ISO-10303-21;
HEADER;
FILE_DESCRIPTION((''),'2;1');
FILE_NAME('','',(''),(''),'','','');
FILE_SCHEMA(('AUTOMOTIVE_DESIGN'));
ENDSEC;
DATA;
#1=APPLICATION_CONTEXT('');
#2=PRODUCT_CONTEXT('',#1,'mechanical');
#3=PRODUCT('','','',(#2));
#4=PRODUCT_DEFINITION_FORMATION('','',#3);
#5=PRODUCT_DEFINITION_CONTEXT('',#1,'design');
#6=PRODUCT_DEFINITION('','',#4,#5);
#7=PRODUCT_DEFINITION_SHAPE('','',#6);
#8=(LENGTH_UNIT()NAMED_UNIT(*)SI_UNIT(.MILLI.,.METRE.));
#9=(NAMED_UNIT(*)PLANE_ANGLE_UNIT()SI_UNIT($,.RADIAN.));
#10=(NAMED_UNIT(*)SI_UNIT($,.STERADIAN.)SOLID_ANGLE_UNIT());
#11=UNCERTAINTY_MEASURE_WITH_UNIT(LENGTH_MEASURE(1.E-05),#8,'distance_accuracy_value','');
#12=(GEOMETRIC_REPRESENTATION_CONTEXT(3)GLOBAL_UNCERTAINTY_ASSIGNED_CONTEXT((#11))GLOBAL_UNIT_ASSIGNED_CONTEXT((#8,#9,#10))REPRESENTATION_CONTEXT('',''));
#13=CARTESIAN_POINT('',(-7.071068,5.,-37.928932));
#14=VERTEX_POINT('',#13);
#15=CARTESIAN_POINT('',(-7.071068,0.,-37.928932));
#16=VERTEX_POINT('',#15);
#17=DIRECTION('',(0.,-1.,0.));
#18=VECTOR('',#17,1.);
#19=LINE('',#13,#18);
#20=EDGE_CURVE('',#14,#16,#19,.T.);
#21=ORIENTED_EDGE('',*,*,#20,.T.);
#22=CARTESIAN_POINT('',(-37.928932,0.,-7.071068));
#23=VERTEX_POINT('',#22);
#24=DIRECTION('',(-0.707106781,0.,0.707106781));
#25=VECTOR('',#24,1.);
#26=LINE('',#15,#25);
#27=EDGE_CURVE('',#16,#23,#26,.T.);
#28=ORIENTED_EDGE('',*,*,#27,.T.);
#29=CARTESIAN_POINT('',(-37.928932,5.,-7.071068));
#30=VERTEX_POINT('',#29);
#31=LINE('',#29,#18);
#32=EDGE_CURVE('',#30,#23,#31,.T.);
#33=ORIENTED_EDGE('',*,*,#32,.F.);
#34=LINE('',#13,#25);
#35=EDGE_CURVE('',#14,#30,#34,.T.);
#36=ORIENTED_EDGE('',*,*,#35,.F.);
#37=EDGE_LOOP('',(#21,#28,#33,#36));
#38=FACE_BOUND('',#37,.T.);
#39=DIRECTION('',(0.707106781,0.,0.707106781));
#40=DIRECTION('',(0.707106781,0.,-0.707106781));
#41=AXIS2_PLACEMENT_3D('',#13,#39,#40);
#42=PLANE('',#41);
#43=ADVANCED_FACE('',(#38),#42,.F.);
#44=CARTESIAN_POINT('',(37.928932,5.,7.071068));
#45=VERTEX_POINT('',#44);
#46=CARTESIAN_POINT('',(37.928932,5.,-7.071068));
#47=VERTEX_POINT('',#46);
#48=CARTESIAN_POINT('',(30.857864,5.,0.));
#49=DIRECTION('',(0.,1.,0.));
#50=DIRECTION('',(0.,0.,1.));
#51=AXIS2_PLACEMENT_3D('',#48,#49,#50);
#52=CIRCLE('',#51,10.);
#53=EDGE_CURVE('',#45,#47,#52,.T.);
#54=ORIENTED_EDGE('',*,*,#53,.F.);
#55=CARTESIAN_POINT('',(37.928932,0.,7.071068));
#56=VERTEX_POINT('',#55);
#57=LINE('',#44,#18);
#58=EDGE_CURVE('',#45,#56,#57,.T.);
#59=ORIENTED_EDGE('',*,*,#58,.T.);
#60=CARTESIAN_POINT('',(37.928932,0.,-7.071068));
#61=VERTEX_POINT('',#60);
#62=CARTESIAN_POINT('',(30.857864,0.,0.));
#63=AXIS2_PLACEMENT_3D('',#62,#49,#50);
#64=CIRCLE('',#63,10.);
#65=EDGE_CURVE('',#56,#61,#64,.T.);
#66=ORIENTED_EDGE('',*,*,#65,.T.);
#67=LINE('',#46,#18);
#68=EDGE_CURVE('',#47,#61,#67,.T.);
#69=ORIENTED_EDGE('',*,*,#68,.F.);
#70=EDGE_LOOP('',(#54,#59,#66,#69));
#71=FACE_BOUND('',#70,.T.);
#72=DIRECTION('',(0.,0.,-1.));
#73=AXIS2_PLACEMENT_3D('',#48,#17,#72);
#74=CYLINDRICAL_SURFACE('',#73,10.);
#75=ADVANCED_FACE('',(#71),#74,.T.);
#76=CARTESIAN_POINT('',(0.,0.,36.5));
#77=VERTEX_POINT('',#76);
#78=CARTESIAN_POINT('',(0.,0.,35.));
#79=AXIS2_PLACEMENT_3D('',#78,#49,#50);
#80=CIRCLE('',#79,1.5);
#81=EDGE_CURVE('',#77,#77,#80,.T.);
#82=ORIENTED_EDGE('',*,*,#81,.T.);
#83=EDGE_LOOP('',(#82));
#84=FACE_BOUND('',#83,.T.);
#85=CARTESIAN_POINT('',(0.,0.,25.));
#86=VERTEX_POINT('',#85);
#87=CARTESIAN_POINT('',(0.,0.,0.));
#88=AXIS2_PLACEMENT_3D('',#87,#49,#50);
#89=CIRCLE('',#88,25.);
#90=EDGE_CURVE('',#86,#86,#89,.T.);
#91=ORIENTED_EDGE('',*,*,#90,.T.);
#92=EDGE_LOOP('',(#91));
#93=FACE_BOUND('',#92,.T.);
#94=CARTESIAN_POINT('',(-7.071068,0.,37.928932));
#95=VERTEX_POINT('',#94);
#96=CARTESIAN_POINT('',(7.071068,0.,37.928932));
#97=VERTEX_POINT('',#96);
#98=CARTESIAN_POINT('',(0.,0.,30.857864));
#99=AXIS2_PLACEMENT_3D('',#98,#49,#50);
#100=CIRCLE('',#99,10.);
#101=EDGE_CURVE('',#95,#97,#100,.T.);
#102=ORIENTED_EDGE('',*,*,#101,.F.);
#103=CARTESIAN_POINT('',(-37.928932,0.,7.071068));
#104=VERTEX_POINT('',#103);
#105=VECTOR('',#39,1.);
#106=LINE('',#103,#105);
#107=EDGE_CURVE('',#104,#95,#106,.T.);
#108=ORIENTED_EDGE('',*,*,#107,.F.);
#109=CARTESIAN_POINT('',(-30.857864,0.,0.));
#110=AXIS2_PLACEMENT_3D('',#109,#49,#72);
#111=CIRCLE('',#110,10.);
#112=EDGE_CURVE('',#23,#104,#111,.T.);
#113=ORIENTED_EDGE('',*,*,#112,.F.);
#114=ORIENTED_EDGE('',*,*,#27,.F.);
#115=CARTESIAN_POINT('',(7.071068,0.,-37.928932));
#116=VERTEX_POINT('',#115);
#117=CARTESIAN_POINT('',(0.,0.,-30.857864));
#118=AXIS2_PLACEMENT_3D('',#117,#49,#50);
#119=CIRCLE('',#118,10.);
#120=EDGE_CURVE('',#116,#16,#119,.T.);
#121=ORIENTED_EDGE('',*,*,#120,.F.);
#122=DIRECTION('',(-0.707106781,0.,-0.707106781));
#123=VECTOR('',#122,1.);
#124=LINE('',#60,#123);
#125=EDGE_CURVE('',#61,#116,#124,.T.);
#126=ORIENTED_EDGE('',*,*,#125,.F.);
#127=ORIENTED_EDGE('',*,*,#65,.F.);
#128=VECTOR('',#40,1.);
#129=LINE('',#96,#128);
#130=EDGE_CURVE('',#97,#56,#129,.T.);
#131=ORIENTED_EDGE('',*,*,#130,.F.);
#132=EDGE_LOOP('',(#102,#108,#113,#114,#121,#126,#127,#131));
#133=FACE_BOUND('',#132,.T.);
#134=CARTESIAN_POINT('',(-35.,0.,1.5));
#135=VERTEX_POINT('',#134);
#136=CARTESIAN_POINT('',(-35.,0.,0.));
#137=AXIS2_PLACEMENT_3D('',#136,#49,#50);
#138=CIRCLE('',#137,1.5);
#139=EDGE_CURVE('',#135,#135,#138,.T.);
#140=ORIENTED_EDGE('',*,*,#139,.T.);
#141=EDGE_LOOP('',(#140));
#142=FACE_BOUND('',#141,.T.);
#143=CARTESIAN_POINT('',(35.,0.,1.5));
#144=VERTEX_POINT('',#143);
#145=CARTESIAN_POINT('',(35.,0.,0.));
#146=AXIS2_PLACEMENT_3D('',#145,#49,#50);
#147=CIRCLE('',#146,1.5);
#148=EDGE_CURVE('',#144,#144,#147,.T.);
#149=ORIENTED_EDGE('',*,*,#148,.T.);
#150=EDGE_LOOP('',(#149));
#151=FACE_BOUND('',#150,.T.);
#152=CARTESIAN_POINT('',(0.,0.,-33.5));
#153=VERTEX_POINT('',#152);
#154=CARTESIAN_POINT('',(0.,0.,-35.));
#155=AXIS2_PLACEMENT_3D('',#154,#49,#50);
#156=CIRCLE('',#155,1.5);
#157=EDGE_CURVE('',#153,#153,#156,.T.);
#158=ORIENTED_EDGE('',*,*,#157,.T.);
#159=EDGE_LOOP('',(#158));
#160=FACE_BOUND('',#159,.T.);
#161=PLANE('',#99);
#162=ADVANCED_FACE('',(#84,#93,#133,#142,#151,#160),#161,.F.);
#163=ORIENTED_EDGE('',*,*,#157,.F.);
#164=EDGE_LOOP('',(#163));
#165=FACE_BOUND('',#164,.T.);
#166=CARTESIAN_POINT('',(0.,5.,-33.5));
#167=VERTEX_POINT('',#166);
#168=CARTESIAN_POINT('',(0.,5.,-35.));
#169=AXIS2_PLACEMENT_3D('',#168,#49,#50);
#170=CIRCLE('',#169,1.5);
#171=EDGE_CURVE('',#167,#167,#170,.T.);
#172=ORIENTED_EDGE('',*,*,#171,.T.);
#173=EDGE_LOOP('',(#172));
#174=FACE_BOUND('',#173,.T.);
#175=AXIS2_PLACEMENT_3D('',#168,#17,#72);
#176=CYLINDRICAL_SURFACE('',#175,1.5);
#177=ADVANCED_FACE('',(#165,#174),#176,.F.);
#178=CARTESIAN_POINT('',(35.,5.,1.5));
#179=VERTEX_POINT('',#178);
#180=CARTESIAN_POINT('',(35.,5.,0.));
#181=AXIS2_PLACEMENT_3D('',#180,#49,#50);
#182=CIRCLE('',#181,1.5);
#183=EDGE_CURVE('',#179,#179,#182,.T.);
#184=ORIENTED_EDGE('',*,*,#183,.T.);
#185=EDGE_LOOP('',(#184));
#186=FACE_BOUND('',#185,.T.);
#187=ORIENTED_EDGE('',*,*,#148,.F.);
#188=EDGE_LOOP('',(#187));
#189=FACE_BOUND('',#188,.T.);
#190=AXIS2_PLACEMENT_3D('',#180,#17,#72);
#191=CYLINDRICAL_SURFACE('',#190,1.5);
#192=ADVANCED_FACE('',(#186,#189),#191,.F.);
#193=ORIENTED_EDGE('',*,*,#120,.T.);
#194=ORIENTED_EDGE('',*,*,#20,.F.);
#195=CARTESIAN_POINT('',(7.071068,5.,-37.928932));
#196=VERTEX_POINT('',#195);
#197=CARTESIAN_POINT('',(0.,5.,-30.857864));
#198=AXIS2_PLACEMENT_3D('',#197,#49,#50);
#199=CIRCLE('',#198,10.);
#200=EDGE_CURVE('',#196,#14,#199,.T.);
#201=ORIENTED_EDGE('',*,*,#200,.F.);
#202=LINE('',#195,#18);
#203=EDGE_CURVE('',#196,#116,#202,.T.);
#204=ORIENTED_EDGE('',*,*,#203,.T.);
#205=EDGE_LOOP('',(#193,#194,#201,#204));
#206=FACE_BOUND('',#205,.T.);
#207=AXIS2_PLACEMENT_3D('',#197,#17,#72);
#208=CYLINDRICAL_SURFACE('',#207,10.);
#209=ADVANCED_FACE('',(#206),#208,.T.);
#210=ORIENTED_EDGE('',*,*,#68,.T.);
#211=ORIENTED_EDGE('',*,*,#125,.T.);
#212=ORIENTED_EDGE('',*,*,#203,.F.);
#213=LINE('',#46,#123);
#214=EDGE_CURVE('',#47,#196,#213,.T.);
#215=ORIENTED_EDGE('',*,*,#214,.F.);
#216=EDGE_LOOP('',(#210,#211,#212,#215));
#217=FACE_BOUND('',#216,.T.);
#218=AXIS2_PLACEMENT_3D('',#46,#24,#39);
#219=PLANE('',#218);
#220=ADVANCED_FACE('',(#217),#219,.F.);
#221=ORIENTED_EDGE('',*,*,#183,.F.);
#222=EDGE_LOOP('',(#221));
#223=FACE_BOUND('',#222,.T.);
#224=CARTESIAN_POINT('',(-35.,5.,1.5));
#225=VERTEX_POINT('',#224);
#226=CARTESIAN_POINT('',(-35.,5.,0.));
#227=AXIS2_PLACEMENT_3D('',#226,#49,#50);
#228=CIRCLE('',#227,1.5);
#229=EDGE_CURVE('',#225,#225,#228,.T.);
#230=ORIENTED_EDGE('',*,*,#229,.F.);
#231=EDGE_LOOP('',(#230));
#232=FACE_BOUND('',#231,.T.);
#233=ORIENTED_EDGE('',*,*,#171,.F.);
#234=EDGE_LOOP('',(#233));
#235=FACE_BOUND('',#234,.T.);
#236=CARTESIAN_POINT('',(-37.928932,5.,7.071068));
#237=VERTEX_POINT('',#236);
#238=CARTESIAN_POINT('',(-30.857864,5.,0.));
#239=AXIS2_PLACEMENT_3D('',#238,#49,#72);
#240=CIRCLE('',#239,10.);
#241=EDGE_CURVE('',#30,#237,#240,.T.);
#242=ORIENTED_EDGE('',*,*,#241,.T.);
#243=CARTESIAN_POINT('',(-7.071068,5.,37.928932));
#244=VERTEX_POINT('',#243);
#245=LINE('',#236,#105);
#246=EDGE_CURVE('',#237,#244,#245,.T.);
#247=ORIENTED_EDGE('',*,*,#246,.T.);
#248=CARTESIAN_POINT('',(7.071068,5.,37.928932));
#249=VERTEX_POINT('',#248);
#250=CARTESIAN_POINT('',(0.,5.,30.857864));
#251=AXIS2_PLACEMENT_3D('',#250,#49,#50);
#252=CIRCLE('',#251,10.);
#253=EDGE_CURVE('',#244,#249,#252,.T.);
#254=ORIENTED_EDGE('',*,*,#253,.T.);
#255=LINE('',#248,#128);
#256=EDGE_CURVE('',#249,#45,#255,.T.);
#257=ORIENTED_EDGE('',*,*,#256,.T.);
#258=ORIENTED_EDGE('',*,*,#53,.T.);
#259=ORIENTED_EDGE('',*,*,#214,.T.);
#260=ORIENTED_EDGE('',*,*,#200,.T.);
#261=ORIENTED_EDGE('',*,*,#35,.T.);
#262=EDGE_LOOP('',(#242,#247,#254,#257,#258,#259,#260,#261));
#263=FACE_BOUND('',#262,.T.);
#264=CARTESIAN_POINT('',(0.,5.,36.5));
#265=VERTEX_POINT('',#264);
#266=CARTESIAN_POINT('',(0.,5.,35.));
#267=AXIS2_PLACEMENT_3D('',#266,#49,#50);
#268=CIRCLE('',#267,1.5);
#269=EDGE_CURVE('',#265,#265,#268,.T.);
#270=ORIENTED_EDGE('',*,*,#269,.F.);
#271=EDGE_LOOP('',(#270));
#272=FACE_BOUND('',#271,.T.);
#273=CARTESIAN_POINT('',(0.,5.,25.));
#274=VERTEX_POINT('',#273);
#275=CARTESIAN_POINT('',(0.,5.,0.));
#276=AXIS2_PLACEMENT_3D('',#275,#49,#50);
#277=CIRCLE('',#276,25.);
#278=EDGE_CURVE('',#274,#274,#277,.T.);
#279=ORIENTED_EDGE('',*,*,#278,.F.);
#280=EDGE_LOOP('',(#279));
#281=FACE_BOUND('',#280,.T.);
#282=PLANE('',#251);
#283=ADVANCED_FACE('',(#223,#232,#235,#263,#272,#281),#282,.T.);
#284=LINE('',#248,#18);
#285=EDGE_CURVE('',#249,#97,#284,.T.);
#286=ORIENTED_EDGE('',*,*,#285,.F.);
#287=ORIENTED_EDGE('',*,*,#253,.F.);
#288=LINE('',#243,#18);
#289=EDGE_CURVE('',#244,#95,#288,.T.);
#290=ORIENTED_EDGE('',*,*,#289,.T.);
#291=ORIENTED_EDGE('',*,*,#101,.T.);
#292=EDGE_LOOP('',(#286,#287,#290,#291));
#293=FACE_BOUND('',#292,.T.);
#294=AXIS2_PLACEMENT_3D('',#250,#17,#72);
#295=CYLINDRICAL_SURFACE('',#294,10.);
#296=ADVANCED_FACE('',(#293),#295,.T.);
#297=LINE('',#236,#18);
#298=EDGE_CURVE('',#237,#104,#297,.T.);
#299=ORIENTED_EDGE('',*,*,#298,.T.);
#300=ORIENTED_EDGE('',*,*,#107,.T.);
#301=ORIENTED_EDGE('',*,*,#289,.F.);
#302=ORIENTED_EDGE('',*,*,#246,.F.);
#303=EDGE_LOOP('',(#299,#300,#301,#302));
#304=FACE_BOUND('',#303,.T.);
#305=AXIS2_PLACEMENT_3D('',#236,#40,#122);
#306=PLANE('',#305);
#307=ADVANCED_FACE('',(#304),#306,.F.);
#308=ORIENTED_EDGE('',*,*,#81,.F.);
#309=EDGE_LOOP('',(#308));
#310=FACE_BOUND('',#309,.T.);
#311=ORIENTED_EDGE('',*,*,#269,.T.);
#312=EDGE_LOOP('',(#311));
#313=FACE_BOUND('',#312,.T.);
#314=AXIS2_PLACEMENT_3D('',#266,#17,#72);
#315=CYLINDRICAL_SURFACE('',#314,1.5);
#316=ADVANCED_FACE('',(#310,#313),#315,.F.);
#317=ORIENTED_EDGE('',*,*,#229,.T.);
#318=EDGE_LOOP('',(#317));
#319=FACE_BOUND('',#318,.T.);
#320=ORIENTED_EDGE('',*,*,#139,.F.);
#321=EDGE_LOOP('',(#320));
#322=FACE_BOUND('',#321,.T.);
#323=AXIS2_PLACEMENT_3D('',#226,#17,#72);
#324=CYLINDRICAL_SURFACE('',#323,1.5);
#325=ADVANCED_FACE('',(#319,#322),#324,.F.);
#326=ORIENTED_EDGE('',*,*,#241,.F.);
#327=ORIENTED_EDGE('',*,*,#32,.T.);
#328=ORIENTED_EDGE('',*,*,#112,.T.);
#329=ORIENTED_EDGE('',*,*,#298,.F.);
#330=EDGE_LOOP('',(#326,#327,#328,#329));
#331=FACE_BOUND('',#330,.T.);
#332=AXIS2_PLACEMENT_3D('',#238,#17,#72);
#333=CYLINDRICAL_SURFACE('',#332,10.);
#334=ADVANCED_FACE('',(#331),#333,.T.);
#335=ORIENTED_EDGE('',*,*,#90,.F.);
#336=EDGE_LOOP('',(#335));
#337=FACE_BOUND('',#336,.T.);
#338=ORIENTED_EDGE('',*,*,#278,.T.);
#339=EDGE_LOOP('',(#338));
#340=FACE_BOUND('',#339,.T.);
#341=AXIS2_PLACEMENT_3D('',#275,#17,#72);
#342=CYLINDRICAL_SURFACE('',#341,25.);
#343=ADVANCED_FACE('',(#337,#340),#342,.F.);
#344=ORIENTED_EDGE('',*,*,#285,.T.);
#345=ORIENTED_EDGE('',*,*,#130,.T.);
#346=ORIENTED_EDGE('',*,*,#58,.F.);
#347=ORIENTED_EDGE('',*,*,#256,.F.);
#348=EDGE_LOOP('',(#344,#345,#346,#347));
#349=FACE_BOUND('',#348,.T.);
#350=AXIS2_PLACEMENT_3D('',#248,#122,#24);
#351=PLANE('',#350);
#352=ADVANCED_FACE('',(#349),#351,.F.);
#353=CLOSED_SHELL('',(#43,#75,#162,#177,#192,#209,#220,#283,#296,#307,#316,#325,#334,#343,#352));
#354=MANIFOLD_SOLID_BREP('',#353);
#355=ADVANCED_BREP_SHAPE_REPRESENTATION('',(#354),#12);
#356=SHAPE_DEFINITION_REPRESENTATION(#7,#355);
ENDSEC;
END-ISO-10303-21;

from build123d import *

# Parameters (mm, degrees)
CROQUIS1_R              = 25
CROQUIS1_R_2            = 1.5
SALIENTE_EXTRUIR1_DEPTH = 5


with BuildPart() as part:
    # Croquis1 → Saliente-Extruir1 (new body)
    with BuildSketch(Plane(origin=(0, 0, 0), x_dir=(1, 0, 0), z_dir=(0, 1, 0))):
        with BuildLine():
            Line((-37.928932188, -7.071067812), (-7.071067812, -37.928932188))
            ThreePointArc((-7.071067812, -37.928932188), (0, -40.857864376), (7.071067812, -37.928932188))
            Line((7.071067812, -37.928932188), (37.928932188, -7.071067812))
            ThreePointArc((37.928932188, -7.071067812), (40.857864376, 0), (37.928932188, 7.071067812))
            Line((37.928932188, 7.071067812), (7.071067812, 37.928932188))
            ThreePointArc((7.071067812, 37.928932188), (0, 40.857864376), (-7.071067812, 37.928932188))
            Line((-7.071067812, 37.928932188), (-37.928932188, 7.071067812))
            ThreePointArc((-37.928932188, 7.071067812), (-40.857864376, 0), (-37.928932188, -7.071067812))
        make_face()
        Circle(CROQUIS1_R, mode=Mode.SUBTRACT)
        with Locations((35, 0)):
            Circle(CROQUIS1_R_2, mode=Mode.SUBTRACT)
        with Locations((0, -35)):
            Circle(CROQUIS1_R_2, mode=Mode.SUBTRACT)
        with Locations((-35, 0)):
            Circle(CROQUIS1_R_2, mode=Mode.SUBTRACT)
        with Locations((0, 35)):
            Circle(CROQUIS1_R_2, mode=Mode.SUBTRACT)
    extrude(amount=SALIENTE_EXTRUIR1_DEPTH)


solid = part.part
